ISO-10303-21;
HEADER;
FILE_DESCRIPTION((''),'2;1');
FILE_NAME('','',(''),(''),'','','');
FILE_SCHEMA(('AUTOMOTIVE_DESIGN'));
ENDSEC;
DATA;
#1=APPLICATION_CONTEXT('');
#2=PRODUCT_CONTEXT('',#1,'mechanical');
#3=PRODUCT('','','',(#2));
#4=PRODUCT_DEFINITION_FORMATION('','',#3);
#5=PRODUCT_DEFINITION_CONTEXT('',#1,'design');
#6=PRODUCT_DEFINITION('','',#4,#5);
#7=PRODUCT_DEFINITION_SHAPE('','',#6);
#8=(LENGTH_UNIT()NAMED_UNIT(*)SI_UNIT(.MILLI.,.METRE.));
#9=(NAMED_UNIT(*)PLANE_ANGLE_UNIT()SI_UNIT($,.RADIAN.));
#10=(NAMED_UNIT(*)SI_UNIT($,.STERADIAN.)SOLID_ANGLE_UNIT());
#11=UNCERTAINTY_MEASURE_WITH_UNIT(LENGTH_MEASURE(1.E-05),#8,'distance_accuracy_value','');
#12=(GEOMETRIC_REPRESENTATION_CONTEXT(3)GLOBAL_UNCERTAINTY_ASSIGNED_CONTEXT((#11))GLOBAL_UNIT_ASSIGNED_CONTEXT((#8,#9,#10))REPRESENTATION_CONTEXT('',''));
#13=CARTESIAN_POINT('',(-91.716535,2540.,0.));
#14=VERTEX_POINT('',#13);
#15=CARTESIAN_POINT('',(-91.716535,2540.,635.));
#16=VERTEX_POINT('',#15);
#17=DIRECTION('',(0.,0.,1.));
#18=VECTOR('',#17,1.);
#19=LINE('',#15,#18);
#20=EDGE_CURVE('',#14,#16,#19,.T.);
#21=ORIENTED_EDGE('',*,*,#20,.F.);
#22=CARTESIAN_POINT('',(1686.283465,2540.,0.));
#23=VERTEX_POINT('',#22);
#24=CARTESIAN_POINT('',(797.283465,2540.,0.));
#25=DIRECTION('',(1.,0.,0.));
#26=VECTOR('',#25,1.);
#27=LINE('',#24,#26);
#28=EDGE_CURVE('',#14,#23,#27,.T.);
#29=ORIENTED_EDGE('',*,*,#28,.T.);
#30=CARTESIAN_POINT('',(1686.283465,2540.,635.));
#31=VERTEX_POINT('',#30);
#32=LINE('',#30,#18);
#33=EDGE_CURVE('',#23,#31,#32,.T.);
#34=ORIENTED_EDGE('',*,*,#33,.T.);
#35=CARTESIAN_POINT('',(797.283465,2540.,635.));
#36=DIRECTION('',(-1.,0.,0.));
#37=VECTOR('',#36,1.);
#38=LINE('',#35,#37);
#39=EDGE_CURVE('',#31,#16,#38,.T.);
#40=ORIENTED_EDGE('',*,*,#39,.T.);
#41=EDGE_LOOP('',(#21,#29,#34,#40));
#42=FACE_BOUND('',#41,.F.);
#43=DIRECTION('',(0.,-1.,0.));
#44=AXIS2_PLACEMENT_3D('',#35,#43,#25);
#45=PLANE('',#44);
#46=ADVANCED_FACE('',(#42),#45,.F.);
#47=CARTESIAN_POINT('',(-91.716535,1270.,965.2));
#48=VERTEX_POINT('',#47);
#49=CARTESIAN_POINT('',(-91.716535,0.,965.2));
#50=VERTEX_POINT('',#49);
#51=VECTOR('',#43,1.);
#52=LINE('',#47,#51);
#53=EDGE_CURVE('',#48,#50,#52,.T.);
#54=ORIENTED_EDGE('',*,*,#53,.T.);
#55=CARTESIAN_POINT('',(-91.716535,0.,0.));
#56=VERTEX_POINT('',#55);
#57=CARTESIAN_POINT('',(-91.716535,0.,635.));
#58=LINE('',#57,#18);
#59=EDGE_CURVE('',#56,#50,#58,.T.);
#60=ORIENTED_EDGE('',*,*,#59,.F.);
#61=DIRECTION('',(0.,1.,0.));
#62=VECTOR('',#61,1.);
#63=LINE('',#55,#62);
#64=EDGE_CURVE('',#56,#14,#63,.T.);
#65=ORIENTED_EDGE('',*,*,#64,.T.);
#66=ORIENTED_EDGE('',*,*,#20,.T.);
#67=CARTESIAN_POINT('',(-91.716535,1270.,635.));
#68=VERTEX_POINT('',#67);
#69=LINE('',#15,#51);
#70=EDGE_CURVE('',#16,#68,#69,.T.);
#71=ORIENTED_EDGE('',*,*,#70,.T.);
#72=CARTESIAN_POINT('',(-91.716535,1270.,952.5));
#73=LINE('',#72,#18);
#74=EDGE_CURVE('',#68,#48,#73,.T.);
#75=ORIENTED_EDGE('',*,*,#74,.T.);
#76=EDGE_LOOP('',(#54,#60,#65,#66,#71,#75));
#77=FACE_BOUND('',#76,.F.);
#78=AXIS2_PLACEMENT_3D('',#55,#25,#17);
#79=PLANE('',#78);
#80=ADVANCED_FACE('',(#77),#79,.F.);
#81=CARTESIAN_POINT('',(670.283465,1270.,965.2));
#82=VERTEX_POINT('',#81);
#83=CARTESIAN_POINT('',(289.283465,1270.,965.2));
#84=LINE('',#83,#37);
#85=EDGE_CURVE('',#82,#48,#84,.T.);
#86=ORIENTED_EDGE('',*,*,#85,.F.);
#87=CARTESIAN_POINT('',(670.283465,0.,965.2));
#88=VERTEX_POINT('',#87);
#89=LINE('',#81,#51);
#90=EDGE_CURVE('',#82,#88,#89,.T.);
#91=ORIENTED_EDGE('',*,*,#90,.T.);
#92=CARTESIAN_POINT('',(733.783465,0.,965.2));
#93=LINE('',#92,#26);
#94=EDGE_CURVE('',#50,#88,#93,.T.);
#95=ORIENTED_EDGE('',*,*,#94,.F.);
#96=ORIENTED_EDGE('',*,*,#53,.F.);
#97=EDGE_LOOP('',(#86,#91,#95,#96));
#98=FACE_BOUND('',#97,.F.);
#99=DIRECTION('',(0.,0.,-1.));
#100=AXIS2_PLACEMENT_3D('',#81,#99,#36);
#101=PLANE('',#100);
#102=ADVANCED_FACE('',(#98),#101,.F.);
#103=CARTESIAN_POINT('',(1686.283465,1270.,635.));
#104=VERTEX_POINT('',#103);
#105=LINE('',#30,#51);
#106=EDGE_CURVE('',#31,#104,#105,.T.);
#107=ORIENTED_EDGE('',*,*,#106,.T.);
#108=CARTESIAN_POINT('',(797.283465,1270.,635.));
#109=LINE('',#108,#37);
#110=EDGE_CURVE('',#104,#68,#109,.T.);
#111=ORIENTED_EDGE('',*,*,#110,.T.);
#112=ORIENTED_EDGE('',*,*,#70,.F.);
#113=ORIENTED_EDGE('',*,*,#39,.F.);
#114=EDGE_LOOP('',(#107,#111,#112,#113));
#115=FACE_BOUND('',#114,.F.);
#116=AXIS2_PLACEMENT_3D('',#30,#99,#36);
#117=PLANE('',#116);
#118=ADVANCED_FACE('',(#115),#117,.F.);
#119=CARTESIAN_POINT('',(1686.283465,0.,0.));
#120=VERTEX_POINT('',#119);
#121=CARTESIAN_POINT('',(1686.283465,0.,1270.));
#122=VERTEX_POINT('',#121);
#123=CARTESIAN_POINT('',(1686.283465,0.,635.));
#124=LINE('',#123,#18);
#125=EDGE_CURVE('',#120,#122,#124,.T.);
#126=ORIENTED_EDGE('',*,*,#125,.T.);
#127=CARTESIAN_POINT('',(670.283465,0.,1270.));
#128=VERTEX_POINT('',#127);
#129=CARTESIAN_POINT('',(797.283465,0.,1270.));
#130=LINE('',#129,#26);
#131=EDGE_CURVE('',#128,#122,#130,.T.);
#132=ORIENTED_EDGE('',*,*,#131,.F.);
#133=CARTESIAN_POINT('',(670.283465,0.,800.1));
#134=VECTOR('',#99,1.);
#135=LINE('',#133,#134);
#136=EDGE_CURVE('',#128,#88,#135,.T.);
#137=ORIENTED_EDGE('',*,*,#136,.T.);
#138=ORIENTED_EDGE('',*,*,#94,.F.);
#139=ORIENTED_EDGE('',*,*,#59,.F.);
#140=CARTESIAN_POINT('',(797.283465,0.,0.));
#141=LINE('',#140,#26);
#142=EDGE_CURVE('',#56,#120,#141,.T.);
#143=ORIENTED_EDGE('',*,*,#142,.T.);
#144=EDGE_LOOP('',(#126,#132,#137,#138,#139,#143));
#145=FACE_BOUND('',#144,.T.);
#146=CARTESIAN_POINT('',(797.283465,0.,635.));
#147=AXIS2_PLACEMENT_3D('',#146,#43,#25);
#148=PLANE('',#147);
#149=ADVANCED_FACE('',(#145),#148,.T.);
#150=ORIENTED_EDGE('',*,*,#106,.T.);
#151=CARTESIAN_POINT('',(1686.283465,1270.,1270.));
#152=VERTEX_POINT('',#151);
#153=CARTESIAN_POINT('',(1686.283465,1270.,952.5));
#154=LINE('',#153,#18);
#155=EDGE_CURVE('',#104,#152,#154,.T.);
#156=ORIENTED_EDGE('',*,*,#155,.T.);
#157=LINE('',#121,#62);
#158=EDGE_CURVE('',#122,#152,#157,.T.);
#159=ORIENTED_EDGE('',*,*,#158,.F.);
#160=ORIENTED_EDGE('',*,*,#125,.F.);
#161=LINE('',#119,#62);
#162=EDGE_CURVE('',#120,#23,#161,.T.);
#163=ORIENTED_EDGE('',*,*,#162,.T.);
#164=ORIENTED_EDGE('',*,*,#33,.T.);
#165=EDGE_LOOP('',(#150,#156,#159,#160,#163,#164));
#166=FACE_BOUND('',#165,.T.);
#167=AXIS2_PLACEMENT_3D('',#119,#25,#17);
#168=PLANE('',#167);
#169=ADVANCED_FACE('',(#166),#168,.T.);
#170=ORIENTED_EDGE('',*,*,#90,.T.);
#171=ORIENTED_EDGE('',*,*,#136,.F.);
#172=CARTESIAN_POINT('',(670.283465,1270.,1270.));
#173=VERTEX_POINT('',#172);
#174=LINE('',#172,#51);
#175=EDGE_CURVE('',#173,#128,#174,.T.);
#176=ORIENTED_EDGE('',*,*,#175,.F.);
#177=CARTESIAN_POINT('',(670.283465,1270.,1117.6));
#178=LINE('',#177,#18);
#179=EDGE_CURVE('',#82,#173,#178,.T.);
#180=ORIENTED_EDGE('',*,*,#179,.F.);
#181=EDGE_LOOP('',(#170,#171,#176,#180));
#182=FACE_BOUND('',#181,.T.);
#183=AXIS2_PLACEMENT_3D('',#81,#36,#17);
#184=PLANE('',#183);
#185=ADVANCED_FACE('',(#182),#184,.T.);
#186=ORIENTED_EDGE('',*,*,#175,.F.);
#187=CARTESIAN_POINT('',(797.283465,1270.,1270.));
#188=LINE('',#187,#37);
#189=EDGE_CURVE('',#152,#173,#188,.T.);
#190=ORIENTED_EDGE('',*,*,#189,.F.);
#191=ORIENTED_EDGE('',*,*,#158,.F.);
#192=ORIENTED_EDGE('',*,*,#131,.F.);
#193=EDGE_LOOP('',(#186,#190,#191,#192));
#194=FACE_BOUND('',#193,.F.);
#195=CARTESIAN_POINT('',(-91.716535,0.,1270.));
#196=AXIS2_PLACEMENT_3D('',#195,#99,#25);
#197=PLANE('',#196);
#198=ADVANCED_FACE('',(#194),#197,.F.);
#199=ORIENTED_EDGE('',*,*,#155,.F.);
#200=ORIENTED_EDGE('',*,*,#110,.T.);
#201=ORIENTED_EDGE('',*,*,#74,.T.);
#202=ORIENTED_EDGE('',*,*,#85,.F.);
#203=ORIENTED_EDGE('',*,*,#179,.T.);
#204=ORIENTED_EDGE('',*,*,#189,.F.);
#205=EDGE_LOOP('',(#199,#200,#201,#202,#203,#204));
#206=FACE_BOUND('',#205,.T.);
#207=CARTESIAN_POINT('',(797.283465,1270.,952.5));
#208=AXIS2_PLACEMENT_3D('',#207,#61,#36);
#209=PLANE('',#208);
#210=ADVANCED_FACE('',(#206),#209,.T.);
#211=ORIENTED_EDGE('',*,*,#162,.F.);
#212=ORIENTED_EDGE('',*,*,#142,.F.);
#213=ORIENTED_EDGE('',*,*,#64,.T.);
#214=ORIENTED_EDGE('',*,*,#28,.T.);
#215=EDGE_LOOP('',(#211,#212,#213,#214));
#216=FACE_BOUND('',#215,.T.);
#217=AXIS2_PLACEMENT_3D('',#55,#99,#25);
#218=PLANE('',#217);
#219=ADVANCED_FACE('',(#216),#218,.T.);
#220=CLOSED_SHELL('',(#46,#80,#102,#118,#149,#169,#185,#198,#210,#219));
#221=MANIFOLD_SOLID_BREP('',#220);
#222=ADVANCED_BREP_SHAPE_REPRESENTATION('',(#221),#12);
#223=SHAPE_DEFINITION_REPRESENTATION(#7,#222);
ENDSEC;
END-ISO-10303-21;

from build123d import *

# Parameters (mm, degrees)
F0_W     = 1778
F0_H     = 1270
F1_DEPTH = 2540
F2_W     = 1778
F2_H     = 635
F3_DEPTH = 1270
F4_W     = 762
F4_H     = 304.8
F5_DEPTH = 12700


with BuildPart() as f1:
    # F0 (on Front) → F1 (new body)
    with BuildSketch(Plane.XZ):
        with Locations((797.283465, 635)):
            Rectangle(F0_W, F0_H)
    extrude(amount=-F1_DEPTH)

    # F2 (on face) → F3 (cut)
    with BuildSketch(Plane(origin=(0, 2540, 0), x_dir=(-1, 0, 0), z_dir=(0, 1, 0))):
        with Locations((-797.283465, 952.5)):
            Rectangle(F2_W, F2_H)
    extrude(amount=-F3_DEPTH, mode=Mode.SUBTRACT)

    # F4 (on face) → F5 (cut)
    with BuildSketch(Plane(origin=(0, 1270, 0), x_dir=(-1, 0, 0), z_dir=(0, 1, 0))):
        with Locations((-289.283465, 1117.6)):
            Rectangle(F4_W, F4_H)
    extrude(amount=-F5_DEPTH, mode=Mode.SUBTRACT)


solid = f1.part
